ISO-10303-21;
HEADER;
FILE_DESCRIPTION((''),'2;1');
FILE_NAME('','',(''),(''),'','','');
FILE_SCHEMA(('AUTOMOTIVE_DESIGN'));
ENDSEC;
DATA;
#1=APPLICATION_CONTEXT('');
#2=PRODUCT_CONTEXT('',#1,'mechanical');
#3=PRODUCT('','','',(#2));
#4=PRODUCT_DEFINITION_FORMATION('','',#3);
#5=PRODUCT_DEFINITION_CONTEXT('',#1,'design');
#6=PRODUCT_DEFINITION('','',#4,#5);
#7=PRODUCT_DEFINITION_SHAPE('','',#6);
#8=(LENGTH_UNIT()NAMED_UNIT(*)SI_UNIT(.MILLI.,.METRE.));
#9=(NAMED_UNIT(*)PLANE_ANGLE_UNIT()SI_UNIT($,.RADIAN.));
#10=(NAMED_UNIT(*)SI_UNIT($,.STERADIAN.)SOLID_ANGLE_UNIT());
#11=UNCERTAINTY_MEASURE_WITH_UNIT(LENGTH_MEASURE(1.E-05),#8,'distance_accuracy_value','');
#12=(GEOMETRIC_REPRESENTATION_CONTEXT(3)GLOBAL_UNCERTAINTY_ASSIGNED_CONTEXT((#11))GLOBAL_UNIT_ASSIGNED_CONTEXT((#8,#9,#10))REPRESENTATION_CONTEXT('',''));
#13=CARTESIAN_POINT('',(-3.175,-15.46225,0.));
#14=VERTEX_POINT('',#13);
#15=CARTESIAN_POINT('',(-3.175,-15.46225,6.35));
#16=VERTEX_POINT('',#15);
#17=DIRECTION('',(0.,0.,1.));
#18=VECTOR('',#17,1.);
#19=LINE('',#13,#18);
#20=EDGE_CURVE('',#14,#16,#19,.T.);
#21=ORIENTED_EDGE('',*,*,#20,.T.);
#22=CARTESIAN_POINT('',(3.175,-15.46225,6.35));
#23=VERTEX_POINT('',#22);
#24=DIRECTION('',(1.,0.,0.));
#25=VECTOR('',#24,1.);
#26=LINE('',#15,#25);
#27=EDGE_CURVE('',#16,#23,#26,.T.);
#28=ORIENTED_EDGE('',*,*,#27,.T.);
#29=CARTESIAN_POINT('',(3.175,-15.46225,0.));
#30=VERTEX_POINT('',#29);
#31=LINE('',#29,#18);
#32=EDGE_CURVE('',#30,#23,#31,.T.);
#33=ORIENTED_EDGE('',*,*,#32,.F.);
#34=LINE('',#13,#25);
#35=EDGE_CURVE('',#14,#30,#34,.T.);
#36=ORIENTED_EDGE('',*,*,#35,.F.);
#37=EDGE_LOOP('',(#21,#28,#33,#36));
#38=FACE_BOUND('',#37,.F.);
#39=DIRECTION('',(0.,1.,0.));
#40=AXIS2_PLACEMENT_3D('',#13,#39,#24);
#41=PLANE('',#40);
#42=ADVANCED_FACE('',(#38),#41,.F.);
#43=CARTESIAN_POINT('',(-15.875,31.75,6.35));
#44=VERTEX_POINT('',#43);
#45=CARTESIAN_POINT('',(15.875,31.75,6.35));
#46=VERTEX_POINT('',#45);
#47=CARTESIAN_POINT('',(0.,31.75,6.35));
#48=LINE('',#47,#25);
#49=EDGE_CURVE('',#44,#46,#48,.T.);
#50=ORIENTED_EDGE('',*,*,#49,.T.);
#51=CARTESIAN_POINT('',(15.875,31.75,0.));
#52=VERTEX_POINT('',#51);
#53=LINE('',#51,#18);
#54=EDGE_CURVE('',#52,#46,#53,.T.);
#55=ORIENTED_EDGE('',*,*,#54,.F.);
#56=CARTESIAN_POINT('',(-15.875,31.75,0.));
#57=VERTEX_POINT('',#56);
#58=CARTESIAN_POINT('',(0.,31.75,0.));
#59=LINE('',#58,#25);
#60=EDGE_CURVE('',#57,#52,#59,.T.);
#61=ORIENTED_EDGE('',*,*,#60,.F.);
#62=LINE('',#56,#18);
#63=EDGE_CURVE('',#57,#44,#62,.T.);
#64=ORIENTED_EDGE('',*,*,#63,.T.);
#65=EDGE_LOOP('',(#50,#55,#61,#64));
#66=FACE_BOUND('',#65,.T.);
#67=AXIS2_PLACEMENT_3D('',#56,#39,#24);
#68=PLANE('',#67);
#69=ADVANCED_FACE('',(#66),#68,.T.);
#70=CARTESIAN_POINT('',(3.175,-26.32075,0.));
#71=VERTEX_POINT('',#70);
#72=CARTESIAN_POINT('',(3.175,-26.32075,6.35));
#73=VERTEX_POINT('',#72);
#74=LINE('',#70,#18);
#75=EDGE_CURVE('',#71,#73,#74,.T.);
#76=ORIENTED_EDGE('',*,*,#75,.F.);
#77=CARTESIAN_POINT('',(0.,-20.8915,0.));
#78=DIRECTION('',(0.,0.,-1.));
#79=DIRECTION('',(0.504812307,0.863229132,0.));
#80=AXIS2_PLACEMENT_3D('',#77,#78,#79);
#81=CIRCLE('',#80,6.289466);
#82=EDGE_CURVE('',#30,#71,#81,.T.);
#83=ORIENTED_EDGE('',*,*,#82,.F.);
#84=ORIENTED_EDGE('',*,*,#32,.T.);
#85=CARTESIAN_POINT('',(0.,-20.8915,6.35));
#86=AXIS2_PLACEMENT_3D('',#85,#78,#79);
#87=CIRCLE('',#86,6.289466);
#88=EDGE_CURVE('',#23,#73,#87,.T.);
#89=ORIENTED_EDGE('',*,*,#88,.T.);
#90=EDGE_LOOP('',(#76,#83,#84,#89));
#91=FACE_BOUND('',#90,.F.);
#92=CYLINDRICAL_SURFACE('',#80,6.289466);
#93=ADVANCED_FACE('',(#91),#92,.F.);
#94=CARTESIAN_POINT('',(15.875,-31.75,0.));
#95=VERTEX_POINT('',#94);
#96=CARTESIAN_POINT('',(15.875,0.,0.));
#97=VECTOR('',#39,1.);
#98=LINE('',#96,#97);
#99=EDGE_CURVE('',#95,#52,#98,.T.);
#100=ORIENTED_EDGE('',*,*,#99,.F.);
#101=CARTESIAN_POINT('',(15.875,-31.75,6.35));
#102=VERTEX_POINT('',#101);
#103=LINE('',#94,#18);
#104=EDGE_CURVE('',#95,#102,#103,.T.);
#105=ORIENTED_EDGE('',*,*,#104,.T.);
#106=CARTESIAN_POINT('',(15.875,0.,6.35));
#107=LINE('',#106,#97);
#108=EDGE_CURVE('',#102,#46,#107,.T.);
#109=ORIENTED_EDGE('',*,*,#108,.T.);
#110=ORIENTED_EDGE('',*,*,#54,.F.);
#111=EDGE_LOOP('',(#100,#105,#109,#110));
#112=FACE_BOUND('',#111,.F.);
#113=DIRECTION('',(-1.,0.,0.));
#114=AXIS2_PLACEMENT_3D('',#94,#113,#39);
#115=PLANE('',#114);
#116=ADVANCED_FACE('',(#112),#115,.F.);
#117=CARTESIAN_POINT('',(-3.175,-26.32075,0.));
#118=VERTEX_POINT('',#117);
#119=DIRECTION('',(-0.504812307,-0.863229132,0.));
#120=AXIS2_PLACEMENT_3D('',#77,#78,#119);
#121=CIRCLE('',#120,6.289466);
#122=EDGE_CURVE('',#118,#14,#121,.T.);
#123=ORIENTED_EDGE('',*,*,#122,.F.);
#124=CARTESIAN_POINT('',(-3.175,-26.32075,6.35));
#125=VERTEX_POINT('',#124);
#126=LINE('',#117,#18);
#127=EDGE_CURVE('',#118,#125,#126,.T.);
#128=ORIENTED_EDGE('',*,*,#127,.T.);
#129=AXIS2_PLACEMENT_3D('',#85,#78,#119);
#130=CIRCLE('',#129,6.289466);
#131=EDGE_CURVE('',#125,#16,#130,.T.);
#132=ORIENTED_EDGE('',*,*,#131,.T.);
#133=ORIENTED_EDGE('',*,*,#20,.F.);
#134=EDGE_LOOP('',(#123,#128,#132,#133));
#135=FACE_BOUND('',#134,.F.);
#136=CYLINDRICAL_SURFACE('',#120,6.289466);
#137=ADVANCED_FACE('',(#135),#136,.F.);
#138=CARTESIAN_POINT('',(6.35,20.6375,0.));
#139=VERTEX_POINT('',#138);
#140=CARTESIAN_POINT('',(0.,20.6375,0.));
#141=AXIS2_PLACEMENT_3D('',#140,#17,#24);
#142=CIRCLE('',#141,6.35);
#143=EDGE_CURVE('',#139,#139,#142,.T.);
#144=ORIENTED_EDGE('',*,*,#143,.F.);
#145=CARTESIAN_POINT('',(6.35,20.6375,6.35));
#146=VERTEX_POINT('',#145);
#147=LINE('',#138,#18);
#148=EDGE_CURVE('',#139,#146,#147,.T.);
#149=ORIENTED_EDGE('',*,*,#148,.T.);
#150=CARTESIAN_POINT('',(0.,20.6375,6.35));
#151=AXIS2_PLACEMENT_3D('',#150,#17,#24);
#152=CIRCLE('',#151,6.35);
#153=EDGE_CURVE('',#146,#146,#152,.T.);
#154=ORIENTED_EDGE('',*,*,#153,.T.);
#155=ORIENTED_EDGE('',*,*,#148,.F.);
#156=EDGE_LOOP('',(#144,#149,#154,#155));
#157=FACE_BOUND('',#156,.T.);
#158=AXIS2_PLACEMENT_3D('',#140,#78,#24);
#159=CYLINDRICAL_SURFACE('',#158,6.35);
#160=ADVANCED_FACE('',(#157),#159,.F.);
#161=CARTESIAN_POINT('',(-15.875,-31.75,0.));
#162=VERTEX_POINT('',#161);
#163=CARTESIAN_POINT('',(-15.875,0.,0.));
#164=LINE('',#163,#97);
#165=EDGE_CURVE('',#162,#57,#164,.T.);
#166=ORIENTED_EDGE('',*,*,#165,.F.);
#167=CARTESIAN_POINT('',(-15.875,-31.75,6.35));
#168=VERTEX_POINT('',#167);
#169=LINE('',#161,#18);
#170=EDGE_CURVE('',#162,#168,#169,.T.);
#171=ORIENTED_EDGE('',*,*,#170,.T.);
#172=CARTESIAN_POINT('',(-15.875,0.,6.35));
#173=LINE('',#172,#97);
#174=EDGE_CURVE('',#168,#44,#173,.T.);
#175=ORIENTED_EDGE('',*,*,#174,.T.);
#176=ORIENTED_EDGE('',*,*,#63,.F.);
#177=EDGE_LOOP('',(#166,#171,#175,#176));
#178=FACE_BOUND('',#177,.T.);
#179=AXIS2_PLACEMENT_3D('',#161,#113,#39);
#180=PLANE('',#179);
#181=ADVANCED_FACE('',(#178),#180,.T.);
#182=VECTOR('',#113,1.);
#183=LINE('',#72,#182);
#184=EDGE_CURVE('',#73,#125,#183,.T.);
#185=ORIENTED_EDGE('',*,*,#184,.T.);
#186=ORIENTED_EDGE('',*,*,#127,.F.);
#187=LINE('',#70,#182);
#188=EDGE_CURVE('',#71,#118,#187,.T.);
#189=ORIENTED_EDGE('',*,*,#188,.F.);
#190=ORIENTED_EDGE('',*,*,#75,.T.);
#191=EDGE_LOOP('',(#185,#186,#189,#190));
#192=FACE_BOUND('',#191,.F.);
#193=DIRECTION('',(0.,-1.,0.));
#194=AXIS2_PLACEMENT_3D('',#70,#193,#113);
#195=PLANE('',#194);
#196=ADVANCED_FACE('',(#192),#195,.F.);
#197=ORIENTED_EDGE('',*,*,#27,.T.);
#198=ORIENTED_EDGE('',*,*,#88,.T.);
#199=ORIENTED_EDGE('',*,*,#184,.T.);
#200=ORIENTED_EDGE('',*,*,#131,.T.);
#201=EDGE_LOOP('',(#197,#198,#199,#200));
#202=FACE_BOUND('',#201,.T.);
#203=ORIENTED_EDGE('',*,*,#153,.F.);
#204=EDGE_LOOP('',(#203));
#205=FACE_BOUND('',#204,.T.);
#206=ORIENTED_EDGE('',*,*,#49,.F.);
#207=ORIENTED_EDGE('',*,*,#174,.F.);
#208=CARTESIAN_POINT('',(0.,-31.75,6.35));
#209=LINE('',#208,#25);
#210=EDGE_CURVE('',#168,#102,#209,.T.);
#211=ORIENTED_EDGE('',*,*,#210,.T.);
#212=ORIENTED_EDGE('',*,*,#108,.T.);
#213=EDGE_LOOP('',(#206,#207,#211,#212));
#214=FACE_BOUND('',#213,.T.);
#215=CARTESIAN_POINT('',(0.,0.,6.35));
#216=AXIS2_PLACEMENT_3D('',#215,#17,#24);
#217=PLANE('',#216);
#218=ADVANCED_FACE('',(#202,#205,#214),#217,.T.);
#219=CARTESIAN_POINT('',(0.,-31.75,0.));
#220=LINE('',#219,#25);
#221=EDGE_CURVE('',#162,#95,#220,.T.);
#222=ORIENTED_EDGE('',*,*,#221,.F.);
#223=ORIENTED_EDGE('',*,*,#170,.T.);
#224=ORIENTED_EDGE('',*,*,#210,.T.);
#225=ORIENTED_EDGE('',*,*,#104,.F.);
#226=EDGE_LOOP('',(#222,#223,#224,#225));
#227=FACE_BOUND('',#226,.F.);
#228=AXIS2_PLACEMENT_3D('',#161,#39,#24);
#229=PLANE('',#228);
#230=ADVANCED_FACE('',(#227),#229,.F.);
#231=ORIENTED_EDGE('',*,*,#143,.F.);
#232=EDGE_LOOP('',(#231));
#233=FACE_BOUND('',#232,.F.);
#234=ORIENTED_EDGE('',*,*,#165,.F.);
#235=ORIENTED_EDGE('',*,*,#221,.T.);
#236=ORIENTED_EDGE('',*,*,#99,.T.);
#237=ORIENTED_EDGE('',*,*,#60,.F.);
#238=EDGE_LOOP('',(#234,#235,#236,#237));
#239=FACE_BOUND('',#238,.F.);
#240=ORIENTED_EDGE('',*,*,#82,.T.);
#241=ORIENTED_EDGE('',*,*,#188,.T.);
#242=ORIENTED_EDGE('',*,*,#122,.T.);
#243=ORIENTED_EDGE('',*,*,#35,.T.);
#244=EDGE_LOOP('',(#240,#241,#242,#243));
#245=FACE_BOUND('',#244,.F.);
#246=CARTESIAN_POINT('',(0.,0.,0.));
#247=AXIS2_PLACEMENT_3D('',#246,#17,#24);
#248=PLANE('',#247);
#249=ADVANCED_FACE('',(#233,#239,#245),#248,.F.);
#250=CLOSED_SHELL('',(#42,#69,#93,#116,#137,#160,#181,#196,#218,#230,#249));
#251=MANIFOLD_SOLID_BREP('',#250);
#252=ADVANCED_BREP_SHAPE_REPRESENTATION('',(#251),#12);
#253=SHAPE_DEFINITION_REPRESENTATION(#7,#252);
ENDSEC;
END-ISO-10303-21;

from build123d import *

# Parameters (mm, degrees)
F0_W     = 31.75
F0_H     = 63.5
F0_R     = 6.35
F1_DEPTH = 6.35


with BuildPart() as f1:
    # F0 (on Top) → F1 (new body)
    with BuildSketch(Plane.XY):
        Rectangle(F0_W, F0_H)
        with BuildLine():
            ThreePointArc((3.175, -15.46225), (6.289466, -20.8915), (3.175, -26.32075))
            Line((3.175, -26.32075), (-3.175, -26.32075))
            ThreePointArc((-3.175, -26.32075), (-6.289466, -20.8915), (-3.175, -15.46225))
            Line((-3.175, -15.46225), (3.175, -15.46225))
        make_face(mode=Mode.SUBTRACT)
        with Locations((0, 20.6375)):
            Circle(F0_R, mode=Mode.SUBTRACT)
    extrude(amount=F1_DEPTH)


solid = f1.part
